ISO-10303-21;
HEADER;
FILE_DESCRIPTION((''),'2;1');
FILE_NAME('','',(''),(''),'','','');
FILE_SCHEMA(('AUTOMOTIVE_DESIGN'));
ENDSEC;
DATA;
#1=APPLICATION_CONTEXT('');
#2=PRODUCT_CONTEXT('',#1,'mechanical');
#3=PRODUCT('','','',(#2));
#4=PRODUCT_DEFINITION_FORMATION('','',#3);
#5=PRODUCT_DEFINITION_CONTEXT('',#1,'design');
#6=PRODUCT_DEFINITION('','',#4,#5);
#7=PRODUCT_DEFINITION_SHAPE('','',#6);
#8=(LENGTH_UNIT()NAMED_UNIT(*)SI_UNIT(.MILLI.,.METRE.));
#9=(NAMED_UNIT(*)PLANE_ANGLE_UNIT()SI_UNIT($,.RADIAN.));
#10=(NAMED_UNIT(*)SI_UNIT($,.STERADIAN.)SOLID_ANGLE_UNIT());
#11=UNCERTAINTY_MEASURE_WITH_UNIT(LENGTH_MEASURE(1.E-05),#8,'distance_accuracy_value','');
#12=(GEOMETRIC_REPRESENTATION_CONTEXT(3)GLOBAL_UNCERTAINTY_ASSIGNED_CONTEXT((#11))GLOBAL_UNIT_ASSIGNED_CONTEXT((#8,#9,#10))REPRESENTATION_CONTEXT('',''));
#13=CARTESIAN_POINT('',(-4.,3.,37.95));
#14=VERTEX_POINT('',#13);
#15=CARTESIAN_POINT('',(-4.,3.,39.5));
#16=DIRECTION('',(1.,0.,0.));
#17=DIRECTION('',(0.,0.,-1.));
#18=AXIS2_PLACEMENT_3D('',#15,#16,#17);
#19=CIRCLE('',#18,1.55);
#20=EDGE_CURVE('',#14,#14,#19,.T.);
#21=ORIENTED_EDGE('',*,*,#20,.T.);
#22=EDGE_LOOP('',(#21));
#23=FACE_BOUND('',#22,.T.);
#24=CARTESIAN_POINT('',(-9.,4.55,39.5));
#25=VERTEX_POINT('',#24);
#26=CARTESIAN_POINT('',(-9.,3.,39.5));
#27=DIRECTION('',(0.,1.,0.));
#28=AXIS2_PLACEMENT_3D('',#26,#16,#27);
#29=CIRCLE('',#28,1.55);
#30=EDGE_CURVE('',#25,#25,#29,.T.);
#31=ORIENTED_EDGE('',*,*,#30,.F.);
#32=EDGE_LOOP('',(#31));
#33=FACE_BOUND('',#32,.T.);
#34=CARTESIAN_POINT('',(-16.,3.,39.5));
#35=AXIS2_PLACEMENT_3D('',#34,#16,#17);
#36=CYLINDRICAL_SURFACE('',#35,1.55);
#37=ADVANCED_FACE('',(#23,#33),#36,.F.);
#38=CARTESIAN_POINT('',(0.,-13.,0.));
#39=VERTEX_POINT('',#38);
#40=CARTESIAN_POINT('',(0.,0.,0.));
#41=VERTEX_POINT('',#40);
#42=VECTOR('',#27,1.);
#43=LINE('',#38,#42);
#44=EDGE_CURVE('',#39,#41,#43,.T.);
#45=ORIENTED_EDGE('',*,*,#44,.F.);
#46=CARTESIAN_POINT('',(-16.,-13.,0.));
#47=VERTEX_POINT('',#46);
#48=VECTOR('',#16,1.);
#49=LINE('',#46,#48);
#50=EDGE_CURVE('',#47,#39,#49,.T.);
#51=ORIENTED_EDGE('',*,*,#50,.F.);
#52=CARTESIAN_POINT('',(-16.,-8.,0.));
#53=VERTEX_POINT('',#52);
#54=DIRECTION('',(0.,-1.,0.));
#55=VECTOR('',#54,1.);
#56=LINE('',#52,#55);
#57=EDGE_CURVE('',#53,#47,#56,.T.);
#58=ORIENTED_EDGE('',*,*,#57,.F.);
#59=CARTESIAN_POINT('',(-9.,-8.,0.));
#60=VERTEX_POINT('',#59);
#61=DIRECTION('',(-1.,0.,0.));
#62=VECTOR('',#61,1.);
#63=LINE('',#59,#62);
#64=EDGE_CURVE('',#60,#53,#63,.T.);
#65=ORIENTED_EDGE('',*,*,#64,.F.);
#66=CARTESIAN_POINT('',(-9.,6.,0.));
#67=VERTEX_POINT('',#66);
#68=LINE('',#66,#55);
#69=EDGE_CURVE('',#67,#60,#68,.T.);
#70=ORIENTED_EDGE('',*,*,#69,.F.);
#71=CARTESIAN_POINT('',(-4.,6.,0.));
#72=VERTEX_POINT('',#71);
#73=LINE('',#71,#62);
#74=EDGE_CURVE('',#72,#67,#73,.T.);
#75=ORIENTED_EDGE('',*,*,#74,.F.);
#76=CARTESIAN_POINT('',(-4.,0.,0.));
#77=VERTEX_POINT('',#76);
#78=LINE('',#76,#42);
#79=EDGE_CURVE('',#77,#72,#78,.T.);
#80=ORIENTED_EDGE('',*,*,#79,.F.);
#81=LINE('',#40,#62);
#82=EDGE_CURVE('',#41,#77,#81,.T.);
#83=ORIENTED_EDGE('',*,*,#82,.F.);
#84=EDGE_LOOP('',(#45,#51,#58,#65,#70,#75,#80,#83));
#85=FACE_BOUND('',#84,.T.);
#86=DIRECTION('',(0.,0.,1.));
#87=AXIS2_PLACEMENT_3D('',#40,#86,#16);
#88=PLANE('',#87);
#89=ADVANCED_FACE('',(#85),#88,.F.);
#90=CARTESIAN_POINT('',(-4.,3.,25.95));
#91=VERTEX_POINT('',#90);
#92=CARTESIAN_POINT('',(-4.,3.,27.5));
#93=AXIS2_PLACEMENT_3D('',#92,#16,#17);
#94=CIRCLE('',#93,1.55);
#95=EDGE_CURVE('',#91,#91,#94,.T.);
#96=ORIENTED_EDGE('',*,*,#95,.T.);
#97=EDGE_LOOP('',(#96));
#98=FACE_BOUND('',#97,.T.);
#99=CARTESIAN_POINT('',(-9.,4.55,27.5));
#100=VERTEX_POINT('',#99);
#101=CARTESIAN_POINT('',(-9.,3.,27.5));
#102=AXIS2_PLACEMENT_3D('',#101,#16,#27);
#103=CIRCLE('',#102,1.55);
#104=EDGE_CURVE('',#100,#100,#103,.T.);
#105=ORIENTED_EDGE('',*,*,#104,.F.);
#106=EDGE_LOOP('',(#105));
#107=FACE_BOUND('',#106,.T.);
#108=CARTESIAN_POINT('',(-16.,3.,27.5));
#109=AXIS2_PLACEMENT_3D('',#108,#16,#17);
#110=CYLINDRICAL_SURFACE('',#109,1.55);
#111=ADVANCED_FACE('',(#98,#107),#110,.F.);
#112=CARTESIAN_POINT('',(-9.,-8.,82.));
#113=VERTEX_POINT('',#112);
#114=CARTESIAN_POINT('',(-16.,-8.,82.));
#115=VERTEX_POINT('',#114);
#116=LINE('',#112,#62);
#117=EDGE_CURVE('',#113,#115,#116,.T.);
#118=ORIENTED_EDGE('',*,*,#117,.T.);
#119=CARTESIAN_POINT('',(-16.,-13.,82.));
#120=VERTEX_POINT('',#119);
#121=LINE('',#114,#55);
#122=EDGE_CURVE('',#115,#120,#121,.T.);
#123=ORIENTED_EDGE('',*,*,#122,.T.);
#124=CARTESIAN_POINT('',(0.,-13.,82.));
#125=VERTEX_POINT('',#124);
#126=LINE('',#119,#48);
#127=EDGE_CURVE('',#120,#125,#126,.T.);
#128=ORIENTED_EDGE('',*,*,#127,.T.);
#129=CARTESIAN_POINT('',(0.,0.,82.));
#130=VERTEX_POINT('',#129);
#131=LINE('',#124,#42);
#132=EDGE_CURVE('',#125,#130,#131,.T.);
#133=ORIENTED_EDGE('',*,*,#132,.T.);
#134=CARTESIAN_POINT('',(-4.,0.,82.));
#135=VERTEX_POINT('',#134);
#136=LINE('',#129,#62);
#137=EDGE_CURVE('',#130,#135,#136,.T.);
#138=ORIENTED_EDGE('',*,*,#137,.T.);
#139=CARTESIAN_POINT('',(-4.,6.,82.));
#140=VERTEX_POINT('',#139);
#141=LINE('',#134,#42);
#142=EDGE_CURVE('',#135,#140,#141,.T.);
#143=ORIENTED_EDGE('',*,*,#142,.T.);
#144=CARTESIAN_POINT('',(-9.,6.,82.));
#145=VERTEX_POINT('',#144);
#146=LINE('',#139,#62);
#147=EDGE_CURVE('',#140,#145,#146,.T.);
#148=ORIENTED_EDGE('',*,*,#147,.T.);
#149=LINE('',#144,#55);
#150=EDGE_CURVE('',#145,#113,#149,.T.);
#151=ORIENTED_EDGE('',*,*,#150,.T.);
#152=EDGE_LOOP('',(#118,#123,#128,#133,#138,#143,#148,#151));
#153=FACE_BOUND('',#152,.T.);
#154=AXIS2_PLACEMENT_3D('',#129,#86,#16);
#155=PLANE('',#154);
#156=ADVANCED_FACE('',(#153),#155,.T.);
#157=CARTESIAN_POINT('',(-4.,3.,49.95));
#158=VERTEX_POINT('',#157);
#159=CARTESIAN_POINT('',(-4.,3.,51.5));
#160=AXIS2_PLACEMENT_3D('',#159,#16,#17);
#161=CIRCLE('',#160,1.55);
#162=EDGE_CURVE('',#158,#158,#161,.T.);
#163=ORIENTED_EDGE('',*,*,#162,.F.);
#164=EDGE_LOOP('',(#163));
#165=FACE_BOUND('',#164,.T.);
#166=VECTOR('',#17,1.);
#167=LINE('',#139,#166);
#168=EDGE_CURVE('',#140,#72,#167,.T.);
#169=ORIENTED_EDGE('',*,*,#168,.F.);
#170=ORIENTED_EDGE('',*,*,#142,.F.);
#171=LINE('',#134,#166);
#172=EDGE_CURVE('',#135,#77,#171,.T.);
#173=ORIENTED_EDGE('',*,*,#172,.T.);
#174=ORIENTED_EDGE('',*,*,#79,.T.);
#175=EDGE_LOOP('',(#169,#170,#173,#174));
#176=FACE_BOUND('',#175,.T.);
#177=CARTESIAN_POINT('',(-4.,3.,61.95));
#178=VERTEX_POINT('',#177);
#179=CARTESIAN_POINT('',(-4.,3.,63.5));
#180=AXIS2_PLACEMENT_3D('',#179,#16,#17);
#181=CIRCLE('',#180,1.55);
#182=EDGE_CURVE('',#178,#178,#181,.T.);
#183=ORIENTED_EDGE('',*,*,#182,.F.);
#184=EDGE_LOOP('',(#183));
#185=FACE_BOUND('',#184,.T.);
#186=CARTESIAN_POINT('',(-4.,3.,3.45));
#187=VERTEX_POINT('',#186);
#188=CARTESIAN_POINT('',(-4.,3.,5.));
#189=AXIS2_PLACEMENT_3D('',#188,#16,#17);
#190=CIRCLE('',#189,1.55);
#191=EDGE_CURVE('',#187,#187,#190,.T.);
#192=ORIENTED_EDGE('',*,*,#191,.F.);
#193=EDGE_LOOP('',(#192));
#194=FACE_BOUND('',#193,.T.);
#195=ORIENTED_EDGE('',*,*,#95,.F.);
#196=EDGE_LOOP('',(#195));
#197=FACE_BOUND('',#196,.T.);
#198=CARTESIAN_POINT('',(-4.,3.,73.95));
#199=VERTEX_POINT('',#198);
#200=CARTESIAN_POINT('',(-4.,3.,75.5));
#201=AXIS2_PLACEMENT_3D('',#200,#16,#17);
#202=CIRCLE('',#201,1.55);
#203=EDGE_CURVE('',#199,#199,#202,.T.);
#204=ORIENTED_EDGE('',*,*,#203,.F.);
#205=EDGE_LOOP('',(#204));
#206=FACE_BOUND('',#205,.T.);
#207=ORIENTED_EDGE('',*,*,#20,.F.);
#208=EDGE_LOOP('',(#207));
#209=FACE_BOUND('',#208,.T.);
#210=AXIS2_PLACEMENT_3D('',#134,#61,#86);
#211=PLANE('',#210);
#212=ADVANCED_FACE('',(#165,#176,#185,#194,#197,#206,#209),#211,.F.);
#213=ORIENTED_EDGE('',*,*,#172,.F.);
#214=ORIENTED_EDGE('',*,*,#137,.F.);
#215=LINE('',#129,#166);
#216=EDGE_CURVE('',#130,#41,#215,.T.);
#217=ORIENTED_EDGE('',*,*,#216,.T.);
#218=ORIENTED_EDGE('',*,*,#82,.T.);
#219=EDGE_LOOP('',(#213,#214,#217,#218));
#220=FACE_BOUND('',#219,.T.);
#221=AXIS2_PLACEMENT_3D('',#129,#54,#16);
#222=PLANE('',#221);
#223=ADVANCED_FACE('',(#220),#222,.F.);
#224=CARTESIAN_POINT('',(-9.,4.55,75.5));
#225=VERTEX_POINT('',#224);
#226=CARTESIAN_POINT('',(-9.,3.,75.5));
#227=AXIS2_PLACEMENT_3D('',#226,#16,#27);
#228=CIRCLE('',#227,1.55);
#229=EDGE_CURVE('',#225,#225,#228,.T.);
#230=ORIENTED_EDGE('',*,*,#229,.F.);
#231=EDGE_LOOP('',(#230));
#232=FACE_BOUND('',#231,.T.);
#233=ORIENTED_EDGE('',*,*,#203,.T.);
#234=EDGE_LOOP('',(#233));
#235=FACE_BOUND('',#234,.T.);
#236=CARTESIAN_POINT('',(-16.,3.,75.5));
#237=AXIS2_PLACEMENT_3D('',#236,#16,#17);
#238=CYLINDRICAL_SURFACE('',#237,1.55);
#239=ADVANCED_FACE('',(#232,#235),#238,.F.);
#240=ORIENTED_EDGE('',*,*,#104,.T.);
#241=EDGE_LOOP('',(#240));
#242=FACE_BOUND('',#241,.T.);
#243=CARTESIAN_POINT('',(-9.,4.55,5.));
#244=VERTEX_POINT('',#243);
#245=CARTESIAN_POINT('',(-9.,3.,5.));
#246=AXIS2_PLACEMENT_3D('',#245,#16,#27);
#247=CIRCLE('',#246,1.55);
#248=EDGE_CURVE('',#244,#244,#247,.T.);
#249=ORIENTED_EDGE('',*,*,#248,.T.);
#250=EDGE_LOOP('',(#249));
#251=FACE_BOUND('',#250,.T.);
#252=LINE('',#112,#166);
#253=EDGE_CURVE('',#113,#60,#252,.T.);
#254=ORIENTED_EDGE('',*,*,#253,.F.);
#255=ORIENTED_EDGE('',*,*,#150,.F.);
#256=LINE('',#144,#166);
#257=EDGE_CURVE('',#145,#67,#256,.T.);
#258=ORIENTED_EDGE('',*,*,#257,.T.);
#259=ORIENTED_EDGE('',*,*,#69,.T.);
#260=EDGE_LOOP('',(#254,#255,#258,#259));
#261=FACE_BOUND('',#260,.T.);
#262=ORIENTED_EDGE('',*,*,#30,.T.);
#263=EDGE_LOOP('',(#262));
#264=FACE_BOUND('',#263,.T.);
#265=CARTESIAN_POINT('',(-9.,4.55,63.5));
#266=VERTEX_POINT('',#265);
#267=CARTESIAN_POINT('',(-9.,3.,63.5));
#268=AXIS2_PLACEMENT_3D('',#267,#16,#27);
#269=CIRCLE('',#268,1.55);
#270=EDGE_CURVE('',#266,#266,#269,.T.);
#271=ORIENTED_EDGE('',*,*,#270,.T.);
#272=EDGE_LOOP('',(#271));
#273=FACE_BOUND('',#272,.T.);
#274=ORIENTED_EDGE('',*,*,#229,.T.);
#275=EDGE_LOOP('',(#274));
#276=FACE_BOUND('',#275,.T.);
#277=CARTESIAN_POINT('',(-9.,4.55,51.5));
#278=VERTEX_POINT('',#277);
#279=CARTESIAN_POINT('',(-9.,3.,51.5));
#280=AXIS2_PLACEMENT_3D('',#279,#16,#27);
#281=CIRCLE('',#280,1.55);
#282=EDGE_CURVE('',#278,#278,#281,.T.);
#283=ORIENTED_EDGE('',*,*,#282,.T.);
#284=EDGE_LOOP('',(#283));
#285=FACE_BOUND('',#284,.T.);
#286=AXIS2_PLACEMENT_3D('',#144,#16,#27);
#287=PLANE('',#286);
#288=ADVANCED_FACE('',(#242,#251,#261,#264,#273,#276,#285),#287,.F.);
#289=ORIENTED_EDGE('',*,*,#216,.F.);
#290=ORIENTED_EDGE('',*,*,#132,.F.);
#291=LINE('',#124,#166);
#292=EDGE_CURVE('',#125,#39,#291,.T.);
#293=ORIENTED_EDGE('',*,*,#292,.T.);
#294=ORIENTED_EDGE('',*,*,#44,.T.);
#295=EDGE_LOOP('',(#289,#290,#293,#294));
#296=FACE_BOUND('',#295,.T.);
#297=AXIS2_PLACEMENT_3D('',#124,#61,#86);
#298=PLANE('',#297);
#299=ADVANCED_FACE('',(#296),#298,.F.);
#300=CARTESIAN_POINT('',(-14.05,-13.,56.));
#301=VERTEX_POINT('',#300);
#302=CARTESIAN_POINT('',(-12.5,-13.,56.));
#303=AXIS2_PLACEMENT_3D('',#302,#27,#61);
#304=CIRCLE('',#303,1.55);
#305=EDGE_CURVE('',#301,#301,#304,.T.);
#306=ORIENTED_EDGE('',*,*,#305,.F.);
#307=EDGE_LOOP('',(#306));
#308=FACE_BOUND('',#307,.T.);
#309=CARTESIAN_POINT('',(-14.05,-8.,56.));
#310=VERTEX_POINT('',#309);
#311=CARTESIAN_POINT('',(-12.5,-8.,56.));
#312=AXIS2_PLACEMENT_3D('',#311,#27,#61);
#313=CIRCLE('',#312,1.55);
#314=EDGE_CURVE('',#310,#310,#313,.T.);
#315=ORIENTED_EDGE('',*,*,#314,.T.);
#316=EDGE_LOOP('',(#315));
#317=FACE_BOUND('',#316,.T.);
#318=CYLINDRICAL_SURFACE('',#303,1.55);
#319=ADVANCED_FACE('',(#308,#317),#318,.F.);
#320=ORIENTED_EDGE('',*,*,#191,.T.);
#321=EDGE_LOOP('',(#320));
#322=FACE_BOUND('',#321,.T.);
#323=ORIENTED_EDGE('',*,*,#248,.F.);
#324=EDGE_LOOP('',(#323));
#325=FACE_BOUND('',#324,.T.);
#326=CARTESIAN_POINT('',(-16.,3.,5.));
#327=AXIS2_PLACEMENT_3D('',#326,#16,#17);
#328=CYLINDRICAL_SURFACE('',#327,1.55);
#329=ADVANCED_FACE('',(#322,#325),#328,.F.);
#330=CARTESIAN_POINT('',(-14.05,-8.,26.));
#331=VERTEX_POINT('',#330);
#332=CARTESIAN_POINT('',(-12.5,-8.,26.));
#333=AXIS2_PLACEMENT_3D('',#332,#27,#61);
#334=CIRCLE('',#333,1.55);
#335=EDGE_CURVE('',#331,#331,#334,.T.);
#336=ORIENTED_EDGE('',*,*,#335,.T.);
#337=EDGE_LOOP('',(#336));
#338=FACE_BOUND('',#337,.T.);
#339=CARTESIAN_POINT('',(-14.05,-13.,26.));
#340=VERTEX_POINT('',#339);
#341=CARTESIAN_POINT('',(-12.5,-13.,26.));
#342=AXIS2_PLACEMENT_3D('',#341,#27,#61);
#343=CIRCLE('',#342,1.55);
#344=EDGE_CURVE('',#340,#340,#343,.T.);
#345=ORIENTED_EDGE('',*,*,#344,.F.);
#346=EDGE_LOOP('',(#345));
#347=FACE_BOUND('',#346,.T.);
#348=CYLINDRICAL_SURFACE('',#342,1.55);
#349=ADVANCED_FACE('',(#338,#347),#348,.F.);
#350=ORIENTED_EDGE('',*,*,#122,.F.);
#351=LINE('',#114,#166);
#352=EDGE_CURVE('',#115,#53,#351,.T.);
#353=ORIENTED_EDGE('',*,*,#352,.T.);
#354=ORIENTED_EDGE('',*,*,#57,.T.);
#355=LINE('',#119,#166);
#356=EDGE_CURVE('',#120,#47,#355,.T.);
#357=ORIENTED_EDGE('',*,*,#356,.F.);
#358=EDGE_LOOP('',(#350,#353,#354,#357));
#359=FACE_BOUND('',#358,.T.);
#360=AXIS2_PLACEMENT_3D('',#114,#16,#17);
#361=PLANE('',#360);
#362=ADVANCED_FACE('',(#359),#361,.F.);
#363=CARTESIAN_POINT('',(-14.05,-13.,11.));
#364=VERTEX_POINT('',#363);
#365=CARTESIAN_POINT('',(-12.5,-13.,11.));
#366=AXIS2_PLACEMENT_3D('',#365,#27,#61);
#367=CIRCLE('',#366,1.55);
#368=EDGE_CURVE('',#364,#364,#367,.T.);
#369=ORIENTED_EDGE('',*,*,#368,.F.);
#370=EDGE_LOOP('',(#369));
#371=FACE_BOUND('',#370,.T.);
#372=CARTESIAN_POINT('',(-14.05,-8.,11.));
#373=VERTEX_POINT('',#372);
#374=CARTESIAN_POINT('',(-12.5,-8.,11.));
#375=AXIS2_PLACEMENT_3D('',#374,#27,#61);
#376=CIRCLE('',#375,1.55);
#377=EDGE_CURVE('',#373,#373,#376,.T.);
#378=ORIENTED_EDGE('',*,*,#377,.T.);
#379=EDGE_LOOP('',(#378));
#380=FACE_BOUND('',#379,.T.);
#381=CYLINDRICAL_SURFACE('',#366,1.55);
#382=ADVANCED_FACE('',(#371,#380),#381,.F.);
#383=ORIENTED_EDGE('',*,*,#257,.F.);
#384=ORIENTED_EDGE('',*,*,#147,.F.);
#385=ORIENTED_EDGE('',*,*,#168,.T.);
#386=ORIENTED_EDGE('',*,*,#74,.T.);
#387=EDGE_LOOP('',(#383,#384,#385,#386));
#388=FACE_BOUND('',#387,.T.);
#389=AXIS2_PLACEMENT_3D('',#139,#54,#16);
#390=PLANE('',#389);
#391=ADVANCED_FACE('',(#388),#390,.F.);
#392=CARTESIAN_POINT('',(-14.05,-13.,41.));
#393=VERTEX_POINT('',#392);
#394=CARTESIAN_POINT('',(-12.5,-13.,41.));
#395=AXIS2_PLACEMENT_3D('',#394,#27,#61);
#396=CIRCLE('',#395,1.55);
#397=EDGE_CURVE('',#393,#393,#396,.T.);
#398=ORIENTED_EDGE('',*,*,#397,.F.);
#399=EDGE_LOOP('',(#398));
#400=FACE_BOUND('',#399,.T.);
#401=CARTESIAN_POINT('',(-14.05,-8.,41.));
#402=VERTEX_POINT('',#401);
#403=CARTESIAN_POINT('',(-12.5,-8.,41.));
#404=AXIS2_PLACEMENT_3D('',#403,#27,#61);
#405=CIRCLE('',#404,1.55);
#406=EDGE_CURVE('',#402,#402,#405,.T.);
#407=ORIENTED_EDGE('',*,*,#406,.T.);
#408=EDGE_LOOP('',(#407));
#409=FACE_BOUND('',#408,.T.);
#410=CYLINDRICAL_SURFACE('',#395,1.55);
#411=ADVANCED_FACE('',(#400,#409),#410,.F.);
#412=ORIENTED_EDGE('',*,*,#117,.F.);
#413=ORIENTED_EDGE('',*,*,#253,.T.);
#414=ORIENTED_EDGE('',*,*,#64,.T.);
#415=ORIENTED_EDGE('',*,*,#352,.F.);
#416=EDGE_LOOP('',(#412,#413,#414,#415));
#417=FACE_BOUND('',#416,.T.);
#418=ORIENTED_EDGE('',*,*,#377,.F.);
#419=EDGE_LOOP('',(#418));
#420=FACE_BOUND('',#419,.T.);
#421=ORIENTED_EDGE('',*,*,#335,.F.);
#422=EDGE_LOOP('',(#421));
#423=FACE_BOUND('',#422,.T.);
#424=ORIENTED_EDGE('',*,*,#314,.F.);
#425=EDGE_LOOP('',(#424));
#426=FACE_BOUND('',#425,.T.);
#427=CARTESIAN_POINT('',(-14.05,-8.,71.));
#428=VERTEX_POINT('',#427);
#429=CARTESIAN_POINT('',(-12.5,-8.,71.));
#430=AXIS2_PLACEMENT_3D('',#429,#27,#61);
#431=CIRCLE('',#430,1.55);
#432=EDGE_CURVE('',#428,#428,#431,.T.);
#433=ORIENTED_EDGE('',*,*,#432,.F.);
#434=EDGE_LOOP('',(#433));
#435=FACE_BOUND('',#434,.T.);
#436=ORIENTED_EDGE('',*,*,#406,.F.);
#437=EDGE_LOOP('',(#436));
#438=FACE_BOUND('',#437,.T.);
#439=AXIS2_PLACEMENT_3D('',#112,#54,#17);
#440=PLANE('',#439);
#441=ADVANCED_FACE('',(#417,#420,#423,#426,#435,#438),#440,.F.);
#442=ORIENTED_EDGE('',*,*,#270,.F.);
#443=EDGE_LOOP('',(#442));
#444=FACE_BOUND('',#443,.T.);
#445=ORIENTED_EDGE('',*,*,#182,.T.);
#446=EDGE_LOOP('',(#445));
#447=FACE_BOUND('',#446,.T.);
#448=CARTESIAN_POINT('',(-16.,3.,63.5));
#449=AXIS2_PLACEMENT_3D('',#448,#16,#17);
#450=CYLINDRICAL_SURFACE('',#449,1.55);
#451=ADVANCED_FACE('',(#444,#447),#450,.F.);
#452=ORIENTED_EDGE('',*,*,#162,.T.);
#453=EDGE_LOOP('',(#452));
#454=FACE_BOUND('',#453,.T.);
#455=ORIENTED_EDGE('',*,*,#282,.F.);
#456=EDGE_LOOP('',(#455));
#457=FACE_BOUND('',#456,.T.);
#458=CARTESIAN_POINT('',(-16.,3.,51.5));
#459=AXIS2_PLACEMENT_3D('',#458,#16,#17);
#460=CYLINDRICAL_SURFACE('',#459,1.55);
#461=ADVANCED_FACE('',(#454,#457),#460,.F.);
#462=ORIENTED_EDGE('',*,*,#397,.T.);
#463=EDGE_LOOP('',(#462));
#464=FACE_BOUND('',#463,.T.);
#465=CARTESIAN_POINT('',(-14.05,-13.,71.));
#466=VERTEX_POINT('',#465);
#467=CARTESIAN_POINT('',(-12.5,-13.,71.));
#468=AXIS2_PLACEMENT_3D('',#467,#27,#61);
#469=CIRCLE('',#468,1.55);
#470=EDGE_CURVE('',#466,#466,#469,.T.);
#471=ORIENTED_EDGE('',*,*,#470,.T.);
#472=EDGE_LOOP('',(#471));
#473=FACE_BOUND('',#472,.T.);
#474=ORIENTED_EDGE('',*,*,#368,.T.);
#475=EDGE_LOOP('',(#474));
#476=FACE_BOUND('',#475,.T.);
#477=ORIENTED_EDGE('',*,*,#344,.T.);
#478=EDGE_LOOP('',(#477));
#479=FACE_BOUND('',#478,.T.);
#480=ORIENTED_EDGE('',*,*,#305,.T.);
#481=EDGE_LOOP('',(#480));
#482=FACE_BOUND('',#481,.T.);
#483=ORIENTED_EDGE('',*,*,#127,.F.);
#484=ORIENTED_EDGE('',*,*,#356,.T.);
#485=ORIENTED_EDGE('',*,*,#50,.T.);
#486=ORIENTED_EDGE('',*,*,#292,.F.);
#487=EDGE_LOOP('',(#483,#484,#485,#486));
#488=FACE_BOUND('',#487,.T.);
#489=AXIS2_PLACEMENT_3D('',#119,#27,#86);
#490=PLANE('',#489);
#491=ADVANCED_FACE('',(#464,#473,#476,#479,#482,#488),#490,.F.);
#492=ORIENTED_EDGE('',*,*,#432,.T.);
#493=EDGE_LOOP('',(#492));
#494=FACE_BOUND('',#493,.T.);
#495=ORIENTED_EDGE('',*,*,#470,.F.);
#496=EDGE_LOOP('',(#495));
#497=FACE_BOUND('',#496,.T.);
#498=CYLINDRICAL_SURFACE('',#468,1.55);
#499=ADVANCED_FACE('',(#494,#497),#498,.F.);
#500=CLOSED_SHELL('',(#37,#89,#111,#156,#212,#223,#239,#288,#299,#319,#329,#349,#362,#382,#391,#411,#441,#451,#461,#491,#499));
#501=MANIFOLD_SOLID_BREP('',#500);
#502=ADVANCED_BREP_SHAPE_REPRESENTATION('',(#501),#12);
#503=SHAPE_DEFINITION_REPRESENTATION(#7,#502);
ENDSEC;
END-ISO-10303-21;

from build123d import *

# Parameters (mm, degrees)
EXTRUDE_1_DEPTH        = 82
SKETCH_2_R             = 1.55
CUT_EXTRUDE_1_DEPTH    = 84.886828525
SKETCH_3_R             = 1.55
CUT_EXTRUDE_2_DEPTH    = 85.711274338
PATTERN_LINEAR_1_COUNT = 5
PATTERN_LINEAR_1_PITCH = 15


with BuildPart() as part:
    # 草圖1 → 填料-伸長1 (new body)
    with BuildSketch(Plane.XY):
        Polygon((-9, 6), (-9, -8), (-16, -8), (-16, -13), (0, -13), (0, 0), (-4, 0), (-4, 6), align=None)
    extrude(amount=EXTRUDE_1_DEPTH)

    # 草圖2 → 除料-伸長1 (cut, through all)
    with BuildSketch(Plane(origin=(-4, 0, 0), x_dir=(0, 0, -1), z_dir=(1, 0, 0))):
        with Locations((-75.5, 3)):
            Circle(SKETCH_2_R)
        with Locations((-63.5, 3)):
            Circle(SKETCH_2_R)
        with Locations((-51.5, 3)):
            Circle(SKETCH_2_R)
        with Locations((-39.5, 3)):
            Circle(SKETCH_2_R)
        with Locations((-27.5, 3)):
            Circle(SKETCH_2_R)
        with Locations((-5, 3)):
            Circle(SKETCH_2_R)
    extrude(amount=-CUT_EXTRUDE_1_DEPTH, mode=Mode.SUBTRACT)

    # 草圖3 → 除料-伸長2 (cut, through all)
    with BuildSketch(Plane(origin=(0, -8, 0), x_dir=(1, 0, 0), z_dir=(0, 1, 0))):
        with Locations(Location((-12.5, -11, 0), (0, 0, 180))):
            Circle(SKETCH_3_R)
    cut_extrude_2 = extrude(amount=-CUT_EXTRUDE_2_DEPTH, mode=Mode.SUBTRACT)

    # 直線複製排列1: 除料-伸長2 ×5
    with Locations(*[(0, 0, i * PATTERN_LINEAR_1_PITCH) for i in range(1, PATTERN_LINEAR_1_COUNT)]):
        add(cut_extrude_2, mode=Mode.SUBTRACT)


solid = part.part
